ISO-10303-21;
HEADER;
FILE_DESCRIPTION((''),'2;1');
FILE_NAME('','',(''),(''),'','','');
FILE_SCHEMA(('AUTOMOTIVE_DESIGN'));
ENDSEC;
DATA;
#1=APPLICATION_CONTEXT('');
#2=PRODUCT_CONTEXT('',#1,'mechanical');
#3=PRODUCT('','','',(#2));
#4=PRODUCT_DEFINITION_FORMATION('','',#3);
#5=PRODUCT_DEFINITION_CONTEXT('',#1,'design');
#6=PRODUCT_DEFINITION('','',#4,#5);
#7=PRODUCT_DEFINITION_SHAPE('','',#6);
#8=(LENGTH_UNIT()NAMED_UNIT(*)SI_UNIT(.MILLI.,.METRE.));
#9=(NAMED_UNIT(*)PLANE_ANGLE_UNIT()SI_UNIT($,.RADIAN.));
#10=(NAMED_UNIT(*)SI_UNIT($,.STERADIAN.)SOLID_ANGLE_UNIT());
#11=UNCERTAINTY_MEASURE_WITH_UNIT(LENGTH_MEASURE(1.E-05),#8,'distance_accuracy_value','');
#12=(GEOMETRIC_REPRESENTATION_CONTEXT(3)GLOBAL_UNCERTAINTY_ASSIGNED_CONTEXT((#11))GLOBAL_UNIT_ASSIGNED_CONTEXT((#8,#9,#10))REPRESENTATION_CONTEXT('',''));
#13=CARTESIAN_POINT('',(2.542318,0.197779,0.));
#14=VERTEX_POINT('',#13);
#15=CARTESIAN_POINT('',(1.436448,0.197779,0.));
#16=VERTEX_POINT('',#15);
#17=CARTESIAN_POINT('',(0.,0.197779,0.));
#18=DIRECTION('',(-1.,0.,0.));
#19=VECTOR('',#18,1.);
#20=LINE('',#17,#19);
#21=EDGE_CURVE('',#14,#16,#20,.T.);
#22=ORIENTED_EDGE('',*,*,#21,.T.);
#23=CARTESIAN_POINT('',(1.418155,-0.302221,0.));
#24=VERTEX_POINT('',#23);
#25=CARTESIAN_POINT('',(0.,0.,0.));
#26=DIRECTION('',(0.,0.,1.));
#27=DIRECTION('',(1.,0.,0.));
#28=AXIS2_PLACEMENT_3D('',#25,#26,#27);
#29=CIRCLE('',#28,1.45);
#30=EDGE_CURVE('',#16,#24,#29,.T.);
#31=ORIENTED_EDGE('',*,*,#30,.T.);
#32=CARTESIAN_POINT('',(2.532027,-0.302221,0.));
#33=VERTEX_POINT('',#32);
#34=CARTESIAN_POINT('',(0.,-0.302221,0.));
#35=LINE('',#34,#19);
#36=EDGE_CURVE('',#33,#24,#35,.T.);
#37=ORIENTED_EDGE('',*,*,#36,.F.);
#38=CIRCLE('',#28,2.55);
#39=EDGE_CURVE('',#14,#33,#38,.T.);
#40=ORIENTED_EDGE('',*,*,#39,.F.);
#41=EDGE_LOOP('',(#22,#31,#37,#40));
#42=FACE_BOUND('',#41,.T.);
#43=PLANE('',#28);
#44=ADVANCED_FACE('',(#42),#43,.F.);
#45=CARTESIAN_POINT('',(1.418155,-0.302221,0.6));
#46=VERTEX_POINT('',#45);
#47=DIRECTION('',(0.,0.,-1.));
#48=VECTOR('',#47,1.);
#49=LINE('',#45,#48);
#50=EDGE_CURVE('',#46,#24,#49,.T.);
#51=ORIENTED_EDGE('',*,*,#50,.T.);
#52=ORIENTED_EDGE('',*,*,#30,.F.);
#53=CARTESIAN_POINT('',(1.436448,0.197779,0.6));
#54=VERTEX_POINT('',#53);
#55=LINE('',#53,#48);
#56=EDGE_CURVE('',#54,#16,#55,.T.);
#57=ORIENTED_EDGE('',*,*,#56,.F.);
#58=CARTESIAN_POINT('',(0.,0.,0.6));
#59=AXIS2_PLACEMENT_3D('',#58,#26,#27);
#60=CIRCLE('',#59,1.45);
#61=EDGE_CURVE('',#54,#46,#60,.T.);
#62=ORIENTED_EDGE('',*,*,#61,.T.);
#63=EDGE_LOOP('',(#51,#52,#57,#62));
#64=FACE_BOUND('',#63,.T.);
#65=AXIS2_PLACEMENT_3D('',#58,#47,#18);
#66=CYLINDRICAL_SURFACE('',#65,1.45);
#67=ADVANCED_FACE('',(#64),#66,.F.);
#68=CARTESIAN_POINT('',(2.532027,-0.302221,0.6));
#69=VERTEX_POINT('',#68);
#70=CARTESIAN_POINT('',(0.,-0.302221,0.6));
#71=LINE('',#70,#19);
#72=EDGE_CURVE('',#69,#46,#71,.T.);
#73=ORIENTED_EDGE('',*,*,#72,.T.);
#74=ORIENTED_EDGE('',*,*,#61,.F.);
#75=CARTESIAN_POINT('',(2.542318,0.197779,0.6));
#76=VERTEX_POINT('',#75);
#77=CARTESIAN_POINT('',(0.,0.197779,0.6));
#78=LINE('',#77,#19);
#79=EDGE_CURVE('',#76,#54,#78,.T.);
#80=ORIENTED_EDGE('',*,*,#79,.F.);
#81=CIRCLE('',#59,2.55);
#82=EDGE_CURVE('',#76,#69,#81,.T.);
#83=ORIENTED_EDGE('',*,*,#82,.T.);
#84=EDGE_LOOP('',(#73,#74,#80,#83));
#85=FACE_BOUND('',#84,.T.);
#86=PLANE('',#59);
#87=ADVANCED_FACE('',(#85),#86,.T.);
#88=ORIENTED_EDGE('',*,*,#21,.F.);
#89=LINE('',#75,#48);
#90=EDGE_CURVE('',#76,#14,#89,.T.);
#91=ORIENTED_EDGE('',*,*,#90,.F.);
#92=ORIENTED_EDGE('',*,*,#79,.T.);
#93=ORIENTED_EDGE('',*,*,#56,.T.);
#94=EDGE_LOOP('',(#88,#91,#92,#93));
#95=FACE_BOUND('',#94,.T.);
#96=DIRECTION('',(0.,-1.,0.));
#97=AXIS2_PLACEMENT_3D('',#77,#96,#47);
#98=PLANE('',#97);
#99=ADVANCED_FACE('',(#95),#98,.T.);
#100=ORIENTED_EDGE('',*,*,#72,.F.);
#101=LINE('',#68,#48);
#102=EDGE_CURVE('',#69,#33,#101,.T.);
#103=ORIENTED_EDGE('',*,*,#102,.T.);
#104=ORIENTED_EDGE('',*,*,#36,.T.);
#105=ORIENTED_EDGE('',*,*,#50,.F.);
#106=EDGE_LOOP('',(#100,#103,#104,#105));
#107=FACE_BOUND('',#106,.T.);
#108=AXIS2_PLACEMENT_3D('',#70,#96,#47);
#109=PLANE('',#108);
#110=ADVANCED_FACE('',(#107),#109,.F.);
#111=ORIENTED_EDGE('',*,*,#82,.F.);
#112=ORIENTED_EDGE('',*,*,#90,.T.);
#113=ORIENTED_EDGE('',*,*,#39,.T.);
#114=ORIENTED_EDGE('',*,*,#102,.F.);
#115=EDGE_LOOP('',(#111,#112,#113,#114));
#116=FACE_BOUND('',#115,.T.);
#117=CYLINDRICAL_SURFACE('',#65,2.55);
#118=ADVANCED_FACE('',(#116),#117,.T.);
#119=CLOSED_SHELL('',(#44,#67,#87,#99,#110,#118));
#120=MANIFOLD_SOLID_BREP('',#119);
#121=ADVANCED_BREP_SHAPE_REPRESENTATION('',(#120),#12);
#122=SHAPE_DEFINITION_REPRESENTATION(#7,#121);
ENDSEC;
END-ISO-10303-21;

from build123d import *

# Parameters (mm, degrees)
BOSS_EXTRUDE1_DEPTH = 0.6


with BuildPart() as part:
    # Sketch1 → Boss-Extrude1 (new body)
    with BuildSketch(Plane.XY):
        with BuildLine():
            ThreePointArc((2.542318495, 0.197779353), (-2.549460046, 0.052473543), (2.532027385, -0.302220647))
            Line((2.532027385, -0.302220647), (1.418154674, -0.302220647))
            ThreePointArc((1.418154674, -0.302220647), (-1.449030483, 0.053015648), (1.436448164, 0.197779353))
            Line((1.436448164, 0.197779353), (2.542318495, 0.197779353))
        make_face()
    extrude(amount=BOSS_EXTRUDE1_DEPTH)


solid = part.part
